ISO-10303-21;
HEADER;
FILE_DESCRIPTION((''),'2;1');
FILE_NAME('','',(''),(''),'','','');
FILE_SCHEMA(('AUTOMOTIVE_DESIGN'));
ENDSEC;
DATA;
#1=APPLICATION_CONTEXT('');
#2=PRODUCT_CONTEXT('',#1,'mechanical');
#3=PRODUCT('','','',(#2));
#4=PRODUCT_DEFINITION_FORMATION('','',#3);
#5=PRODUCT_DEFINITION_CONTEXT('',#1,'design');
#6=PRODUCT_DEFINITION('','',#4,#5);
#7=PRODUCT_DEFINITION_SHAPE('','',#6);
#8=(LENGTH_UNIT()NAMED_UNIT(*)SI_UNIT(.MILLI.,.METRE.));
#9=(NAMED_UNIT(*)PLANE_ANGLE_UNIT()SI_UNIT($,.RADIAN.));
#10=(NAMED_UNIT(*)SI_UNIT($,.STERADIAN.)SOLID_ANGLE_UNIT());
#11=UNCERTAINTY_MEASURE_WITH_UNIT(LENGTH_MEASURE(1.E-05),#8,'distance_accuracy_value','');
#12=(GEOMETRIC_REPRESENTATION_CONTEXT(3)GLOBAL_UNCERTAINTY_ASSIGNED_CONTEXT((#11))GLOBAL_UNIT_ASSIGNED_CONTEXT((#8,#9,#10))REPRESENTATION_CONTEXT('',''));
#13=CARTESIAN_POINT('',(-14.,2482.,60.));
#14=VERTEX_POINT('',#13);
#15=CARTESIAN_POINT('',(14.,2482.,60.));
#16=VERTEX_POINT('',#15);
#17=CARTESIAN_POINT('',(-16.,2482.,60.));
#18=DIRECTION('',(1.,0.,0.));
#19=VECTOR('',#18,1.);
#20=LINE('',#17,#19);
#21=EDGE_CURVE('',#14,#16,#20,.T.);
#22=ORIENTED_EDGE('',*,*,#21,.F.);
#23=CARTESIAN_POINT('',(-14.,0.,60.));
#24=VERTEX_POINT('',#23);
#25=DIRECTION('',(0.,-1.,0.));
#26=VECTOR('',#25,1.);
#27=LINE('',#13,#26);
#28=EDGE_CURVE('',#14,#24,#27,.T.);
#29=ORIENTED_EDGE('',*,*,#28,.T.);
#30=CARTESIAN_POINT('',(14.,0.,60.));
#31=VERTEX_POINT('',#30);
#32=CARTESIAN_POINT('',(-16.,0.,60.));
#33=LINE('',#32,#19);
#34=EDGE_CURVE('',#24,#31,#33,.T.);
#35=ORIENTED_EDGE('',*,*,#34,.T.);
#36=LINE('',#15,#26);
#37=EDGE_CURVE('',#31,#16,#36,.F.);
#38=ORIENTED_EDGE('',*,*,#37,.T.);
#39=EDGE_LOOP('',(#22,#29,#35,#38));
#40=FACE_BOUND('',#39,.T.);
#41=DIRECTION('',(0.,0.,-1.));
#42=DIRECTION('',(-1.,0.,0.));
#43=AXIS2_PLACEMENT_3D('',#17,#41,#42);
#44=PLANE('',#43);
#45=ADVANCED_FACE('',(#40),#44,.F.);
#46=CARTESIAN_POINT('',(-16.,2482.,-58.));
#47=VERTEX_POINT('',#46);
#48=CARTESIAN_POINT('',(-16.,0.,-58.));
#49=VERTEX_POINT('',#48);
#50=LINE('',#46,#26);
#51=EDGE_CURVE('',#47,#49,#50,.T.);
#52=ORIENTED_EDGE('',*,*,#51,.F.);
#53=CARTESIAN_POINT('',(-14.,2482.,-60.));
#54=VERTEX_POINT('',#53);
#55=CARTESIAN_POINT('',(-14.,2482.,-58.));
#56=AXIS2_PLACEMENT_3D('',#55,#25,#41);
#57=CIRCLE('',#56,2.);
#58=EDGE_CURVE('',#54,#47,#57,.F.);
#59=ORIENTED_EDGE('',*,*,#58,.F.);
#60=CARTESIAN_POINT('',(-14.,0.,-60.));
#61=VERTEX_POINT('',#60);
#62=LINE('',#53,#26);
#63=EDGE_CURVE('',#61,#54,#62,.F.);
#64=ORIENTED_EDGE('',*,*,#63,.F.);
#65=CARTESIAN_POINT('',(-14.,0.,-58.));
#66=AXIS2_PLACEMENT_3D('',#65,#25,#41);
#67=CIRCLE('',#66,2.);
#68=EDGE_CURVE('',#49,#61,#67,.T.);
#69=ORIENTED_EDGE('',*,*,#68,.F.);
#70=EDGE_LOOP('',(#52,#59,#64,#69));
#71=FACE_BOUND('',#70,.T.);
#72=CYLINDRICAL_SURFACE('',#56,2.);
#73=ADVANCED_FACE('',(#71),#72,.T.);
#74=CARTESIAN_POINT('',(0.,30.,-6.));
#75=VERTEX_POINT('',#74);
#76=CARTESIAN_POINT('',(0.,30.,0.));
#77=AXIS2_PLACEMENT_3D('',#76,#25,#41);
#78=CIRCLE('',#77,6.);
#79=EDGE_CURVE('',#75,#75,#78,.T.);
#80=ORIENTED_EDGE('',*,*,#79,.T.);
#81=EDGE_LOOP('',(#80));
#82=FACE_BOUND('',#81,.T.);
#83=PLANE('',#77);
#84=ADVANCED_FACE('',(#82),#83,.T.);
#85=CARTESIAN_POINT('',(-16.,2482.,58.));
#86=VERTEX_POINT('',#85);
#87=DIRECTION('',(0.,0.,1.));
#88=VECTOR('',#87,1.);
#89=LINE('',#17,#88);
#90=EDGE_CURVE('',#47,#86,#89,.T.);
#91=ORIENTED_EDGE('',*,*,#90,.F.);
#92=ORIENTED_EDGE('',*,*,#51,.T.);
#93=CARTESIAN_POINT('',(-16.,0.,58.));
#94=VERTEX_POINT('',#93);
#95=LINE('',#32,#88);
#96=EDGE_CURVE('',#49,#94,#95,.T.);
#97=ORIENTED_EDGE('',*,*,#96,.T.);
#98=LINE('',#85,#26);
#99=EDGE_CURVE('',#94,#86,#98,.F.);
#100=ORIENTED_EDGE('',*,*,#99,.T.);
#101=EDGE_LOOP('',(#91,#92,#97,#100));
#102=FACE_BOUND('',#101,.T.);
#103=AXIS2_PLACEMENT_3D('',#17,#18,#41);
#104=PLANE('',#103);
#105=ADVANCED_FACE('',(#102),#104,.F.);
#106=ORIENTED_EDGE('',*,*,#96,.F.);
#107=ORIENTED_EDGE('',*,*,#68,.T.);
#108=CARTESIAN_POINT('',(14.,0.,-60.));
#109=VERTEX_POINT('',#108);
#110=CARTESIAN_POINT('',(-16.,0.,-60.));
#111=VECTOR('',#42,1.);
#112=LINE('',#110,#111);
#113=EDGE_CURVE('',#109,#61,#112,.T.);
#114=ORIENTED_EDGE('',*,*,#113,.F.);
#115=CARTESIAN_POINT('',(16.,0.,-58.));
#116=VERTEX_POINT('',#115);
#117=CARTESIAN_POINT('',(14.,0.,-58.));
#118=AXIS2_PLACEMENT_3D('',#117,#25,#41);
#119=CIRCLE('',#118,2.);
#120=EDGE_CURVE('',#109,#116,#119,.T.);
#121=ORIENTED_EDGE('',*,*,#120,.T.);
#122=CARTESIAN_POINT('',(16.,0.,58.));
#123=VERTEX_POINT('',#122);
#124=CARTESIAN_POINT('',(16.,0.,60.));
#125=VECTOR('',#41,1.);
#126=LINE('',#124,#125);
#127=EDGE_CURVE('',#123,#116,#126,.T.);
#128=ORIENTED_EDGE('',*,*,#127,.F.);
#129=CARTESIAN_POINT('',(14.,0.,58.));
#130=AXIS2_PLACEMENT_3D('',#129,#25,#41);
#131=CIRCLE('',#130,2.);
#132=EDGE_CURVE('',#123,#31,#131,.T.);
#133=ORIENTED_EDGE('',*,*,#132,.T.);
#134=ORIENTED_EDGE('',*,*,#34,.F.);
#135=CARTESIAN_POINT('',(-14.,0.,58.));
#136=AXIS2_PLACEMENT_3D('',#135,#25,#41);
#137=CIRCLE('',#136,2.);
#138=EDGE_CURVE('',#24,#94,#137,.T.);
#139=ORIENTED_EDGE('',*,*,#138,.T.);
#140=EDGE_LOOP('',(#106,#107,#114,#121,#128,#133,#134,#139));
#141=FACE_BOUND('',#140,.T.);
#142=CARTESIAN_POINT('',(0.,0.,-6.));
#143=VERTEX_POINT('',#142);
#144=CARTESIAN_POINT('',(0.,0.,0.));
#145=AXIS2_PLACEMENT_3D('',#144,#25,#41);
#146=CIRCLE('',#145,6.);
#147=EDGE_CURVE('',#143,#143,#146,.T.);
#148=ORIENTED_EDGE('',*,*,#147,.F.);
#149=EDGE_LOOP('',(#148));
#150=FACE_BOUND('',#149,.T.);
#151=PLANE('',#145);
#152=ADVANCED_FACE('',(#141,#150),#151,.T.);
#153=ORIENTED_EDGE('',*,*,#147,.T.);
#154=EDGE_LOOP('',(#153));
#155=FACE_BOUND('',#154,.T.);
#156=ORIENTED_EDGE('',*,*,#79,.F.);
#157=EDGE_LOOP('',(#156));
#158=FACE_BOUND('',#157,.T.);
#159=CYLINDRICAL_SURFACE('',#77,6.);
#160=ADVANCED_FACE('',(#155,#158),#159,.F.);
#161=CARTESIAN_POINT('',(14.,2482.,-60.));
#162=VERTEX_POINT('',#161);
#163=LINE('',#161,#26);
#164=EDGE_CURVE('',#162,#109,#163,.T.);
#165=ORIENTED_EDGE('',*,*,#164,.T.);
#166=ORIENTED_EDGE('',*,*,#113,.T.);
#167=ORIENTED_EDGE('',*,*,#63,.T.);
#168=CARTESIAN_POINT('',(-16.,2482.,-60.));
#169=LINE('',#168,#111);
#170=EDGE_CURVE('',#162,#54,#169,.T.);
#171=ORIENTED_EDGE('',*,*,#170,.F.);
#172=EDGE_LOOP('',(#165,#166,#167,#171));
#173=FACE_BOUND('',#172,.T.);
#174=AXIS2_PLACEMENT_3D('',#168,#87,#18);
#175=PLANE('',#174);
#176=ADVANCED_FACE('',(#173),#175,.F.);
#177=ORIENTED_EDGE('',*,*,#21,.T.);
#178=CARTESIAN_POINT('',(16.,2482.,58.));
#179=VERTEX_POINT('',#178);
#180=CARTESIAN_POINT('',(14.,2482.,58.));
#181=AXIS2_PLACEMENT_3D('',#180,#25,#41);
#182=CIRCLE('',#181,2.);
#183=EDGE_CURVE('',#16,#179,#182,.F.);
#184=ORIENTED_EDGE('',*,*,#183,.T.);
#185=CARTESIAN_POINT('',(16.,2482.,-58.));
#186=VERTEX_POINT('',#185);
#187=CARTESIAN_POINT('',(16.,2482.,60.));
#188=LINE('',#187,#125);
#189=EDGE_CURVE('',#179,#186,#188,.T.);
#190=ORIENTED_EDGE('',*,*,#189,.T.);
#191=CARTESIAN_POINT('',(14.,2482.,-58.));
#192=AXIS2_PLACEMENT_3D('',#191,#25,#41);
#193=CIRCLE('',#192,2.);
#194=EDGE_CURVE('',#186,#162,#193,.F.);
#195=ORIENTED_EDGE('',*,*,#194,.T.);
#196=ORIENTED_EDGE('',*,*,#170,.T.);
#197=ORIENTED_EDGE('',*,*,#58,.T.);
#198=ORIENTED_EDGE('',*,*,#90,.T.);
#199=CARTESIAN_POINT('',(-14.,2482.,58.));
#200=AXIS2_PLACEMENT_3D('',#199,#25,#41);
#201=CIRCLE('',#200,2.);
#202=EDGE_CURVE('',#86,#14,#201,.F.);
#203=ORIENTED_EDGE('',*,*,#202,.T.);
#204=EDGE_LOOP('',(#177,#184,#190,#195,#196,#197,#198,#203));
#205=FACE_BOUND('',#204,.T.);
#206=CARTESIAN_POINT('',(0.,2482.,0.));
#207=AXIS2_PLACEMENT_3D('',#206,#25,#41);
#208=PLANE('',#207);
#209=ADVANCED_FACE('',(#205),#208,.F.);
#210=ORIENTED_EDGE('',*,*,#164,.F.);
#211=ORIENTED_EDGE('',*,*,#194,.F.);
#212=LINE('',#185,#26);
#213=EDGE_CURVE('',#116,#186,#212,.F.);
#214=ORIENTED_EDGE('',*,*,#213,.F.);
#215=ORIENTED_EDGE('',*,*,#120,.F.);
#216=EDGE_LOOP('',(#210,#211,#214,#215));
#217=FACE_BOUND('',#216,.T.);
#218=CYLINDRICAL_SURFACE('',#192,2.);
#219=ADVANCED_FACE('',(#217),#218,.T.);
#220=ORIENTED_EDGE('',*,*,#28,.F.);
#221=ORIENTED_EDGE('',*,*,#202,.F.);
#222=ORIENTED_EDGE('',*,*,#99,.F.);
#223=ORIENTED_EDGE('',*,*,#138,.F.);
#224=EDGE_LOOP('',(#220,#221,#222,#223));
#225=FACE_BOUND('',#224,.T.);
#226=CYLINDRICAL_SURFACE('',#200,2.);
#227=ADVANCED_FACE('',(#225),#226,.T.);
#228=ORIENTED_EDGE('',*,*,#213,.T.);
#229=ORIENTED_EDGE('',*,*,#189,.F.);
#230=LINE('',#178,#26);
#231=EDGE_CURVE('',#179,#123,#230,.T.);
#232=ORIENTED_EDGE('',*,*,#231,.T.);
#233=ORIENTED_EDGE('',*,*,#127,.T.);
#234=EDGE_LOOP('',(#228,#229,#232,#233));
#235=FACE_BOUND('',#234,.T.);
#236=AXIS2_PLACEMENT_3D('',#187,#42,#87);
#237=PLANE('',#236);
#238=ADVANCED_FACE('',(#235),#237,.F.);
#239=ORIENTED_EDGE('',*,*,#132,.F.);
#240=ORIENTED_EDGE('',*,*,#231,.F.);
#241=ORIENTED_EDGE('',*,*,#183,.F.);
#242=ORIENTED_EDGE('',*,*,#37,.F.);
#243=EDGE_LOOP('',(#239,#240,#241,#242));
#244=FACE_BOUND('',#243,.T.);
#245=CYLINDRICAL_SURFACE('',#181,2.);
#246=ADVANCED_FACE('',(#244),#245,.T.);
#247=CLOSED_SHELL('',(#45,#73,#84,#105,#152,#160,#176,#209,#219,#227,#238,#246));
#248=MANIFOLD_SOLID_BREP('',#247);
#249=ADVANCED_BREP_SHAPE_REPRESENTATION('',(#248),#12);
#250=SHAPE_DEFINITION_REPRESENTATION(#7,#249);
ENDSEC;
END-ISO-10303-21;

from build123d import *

# Parameters (mm, degrees)
SKETCH1_W           = 32
SKETCH1_H           = 120
BOSS_EXTRUDE1_DEPTH = 2482
FILLET1_R           = 2
SKETCH2_R           = 6
CUT_EXTRUDE1_DEPTH  = 30


with BuildPart() as part:
    # Sketch1 → Boss-Extrude1 (new body)
    with BuildSketch(Plane(origin=(0, 0, 0), x_dir=(1, 0, 0), z_dir=(0, 1, 0))):
        Rectangle(SKETCH1_W, SKETCH1_H)
    extrude(amount=BOSS_EXTRUDE1_DEPTH)

    # Fillet1
    fillet1_edges = [part.edges().sort_by_distance(p)[0] for p in [
        (16, 1241, 60),
        (-16, 1241, 60),
        (-16, 1241, -60),
        (16, 1241, -60),
    ]]
    fillet(fillet1_edges, radius=FILLET1_R)

    # Sketch2 → Cut-Extrude1 (cut)
    with BuildSketch(Plane.XZ):
        with Locations(Location((0, 0, 0), (0, 0, 270))):
            Circle(SKETCH2_R)
    extrude(amount=-CUT_EXTRUDE1_DEPTH, mode=Mode.SUBTRACT)


solid = part.part
